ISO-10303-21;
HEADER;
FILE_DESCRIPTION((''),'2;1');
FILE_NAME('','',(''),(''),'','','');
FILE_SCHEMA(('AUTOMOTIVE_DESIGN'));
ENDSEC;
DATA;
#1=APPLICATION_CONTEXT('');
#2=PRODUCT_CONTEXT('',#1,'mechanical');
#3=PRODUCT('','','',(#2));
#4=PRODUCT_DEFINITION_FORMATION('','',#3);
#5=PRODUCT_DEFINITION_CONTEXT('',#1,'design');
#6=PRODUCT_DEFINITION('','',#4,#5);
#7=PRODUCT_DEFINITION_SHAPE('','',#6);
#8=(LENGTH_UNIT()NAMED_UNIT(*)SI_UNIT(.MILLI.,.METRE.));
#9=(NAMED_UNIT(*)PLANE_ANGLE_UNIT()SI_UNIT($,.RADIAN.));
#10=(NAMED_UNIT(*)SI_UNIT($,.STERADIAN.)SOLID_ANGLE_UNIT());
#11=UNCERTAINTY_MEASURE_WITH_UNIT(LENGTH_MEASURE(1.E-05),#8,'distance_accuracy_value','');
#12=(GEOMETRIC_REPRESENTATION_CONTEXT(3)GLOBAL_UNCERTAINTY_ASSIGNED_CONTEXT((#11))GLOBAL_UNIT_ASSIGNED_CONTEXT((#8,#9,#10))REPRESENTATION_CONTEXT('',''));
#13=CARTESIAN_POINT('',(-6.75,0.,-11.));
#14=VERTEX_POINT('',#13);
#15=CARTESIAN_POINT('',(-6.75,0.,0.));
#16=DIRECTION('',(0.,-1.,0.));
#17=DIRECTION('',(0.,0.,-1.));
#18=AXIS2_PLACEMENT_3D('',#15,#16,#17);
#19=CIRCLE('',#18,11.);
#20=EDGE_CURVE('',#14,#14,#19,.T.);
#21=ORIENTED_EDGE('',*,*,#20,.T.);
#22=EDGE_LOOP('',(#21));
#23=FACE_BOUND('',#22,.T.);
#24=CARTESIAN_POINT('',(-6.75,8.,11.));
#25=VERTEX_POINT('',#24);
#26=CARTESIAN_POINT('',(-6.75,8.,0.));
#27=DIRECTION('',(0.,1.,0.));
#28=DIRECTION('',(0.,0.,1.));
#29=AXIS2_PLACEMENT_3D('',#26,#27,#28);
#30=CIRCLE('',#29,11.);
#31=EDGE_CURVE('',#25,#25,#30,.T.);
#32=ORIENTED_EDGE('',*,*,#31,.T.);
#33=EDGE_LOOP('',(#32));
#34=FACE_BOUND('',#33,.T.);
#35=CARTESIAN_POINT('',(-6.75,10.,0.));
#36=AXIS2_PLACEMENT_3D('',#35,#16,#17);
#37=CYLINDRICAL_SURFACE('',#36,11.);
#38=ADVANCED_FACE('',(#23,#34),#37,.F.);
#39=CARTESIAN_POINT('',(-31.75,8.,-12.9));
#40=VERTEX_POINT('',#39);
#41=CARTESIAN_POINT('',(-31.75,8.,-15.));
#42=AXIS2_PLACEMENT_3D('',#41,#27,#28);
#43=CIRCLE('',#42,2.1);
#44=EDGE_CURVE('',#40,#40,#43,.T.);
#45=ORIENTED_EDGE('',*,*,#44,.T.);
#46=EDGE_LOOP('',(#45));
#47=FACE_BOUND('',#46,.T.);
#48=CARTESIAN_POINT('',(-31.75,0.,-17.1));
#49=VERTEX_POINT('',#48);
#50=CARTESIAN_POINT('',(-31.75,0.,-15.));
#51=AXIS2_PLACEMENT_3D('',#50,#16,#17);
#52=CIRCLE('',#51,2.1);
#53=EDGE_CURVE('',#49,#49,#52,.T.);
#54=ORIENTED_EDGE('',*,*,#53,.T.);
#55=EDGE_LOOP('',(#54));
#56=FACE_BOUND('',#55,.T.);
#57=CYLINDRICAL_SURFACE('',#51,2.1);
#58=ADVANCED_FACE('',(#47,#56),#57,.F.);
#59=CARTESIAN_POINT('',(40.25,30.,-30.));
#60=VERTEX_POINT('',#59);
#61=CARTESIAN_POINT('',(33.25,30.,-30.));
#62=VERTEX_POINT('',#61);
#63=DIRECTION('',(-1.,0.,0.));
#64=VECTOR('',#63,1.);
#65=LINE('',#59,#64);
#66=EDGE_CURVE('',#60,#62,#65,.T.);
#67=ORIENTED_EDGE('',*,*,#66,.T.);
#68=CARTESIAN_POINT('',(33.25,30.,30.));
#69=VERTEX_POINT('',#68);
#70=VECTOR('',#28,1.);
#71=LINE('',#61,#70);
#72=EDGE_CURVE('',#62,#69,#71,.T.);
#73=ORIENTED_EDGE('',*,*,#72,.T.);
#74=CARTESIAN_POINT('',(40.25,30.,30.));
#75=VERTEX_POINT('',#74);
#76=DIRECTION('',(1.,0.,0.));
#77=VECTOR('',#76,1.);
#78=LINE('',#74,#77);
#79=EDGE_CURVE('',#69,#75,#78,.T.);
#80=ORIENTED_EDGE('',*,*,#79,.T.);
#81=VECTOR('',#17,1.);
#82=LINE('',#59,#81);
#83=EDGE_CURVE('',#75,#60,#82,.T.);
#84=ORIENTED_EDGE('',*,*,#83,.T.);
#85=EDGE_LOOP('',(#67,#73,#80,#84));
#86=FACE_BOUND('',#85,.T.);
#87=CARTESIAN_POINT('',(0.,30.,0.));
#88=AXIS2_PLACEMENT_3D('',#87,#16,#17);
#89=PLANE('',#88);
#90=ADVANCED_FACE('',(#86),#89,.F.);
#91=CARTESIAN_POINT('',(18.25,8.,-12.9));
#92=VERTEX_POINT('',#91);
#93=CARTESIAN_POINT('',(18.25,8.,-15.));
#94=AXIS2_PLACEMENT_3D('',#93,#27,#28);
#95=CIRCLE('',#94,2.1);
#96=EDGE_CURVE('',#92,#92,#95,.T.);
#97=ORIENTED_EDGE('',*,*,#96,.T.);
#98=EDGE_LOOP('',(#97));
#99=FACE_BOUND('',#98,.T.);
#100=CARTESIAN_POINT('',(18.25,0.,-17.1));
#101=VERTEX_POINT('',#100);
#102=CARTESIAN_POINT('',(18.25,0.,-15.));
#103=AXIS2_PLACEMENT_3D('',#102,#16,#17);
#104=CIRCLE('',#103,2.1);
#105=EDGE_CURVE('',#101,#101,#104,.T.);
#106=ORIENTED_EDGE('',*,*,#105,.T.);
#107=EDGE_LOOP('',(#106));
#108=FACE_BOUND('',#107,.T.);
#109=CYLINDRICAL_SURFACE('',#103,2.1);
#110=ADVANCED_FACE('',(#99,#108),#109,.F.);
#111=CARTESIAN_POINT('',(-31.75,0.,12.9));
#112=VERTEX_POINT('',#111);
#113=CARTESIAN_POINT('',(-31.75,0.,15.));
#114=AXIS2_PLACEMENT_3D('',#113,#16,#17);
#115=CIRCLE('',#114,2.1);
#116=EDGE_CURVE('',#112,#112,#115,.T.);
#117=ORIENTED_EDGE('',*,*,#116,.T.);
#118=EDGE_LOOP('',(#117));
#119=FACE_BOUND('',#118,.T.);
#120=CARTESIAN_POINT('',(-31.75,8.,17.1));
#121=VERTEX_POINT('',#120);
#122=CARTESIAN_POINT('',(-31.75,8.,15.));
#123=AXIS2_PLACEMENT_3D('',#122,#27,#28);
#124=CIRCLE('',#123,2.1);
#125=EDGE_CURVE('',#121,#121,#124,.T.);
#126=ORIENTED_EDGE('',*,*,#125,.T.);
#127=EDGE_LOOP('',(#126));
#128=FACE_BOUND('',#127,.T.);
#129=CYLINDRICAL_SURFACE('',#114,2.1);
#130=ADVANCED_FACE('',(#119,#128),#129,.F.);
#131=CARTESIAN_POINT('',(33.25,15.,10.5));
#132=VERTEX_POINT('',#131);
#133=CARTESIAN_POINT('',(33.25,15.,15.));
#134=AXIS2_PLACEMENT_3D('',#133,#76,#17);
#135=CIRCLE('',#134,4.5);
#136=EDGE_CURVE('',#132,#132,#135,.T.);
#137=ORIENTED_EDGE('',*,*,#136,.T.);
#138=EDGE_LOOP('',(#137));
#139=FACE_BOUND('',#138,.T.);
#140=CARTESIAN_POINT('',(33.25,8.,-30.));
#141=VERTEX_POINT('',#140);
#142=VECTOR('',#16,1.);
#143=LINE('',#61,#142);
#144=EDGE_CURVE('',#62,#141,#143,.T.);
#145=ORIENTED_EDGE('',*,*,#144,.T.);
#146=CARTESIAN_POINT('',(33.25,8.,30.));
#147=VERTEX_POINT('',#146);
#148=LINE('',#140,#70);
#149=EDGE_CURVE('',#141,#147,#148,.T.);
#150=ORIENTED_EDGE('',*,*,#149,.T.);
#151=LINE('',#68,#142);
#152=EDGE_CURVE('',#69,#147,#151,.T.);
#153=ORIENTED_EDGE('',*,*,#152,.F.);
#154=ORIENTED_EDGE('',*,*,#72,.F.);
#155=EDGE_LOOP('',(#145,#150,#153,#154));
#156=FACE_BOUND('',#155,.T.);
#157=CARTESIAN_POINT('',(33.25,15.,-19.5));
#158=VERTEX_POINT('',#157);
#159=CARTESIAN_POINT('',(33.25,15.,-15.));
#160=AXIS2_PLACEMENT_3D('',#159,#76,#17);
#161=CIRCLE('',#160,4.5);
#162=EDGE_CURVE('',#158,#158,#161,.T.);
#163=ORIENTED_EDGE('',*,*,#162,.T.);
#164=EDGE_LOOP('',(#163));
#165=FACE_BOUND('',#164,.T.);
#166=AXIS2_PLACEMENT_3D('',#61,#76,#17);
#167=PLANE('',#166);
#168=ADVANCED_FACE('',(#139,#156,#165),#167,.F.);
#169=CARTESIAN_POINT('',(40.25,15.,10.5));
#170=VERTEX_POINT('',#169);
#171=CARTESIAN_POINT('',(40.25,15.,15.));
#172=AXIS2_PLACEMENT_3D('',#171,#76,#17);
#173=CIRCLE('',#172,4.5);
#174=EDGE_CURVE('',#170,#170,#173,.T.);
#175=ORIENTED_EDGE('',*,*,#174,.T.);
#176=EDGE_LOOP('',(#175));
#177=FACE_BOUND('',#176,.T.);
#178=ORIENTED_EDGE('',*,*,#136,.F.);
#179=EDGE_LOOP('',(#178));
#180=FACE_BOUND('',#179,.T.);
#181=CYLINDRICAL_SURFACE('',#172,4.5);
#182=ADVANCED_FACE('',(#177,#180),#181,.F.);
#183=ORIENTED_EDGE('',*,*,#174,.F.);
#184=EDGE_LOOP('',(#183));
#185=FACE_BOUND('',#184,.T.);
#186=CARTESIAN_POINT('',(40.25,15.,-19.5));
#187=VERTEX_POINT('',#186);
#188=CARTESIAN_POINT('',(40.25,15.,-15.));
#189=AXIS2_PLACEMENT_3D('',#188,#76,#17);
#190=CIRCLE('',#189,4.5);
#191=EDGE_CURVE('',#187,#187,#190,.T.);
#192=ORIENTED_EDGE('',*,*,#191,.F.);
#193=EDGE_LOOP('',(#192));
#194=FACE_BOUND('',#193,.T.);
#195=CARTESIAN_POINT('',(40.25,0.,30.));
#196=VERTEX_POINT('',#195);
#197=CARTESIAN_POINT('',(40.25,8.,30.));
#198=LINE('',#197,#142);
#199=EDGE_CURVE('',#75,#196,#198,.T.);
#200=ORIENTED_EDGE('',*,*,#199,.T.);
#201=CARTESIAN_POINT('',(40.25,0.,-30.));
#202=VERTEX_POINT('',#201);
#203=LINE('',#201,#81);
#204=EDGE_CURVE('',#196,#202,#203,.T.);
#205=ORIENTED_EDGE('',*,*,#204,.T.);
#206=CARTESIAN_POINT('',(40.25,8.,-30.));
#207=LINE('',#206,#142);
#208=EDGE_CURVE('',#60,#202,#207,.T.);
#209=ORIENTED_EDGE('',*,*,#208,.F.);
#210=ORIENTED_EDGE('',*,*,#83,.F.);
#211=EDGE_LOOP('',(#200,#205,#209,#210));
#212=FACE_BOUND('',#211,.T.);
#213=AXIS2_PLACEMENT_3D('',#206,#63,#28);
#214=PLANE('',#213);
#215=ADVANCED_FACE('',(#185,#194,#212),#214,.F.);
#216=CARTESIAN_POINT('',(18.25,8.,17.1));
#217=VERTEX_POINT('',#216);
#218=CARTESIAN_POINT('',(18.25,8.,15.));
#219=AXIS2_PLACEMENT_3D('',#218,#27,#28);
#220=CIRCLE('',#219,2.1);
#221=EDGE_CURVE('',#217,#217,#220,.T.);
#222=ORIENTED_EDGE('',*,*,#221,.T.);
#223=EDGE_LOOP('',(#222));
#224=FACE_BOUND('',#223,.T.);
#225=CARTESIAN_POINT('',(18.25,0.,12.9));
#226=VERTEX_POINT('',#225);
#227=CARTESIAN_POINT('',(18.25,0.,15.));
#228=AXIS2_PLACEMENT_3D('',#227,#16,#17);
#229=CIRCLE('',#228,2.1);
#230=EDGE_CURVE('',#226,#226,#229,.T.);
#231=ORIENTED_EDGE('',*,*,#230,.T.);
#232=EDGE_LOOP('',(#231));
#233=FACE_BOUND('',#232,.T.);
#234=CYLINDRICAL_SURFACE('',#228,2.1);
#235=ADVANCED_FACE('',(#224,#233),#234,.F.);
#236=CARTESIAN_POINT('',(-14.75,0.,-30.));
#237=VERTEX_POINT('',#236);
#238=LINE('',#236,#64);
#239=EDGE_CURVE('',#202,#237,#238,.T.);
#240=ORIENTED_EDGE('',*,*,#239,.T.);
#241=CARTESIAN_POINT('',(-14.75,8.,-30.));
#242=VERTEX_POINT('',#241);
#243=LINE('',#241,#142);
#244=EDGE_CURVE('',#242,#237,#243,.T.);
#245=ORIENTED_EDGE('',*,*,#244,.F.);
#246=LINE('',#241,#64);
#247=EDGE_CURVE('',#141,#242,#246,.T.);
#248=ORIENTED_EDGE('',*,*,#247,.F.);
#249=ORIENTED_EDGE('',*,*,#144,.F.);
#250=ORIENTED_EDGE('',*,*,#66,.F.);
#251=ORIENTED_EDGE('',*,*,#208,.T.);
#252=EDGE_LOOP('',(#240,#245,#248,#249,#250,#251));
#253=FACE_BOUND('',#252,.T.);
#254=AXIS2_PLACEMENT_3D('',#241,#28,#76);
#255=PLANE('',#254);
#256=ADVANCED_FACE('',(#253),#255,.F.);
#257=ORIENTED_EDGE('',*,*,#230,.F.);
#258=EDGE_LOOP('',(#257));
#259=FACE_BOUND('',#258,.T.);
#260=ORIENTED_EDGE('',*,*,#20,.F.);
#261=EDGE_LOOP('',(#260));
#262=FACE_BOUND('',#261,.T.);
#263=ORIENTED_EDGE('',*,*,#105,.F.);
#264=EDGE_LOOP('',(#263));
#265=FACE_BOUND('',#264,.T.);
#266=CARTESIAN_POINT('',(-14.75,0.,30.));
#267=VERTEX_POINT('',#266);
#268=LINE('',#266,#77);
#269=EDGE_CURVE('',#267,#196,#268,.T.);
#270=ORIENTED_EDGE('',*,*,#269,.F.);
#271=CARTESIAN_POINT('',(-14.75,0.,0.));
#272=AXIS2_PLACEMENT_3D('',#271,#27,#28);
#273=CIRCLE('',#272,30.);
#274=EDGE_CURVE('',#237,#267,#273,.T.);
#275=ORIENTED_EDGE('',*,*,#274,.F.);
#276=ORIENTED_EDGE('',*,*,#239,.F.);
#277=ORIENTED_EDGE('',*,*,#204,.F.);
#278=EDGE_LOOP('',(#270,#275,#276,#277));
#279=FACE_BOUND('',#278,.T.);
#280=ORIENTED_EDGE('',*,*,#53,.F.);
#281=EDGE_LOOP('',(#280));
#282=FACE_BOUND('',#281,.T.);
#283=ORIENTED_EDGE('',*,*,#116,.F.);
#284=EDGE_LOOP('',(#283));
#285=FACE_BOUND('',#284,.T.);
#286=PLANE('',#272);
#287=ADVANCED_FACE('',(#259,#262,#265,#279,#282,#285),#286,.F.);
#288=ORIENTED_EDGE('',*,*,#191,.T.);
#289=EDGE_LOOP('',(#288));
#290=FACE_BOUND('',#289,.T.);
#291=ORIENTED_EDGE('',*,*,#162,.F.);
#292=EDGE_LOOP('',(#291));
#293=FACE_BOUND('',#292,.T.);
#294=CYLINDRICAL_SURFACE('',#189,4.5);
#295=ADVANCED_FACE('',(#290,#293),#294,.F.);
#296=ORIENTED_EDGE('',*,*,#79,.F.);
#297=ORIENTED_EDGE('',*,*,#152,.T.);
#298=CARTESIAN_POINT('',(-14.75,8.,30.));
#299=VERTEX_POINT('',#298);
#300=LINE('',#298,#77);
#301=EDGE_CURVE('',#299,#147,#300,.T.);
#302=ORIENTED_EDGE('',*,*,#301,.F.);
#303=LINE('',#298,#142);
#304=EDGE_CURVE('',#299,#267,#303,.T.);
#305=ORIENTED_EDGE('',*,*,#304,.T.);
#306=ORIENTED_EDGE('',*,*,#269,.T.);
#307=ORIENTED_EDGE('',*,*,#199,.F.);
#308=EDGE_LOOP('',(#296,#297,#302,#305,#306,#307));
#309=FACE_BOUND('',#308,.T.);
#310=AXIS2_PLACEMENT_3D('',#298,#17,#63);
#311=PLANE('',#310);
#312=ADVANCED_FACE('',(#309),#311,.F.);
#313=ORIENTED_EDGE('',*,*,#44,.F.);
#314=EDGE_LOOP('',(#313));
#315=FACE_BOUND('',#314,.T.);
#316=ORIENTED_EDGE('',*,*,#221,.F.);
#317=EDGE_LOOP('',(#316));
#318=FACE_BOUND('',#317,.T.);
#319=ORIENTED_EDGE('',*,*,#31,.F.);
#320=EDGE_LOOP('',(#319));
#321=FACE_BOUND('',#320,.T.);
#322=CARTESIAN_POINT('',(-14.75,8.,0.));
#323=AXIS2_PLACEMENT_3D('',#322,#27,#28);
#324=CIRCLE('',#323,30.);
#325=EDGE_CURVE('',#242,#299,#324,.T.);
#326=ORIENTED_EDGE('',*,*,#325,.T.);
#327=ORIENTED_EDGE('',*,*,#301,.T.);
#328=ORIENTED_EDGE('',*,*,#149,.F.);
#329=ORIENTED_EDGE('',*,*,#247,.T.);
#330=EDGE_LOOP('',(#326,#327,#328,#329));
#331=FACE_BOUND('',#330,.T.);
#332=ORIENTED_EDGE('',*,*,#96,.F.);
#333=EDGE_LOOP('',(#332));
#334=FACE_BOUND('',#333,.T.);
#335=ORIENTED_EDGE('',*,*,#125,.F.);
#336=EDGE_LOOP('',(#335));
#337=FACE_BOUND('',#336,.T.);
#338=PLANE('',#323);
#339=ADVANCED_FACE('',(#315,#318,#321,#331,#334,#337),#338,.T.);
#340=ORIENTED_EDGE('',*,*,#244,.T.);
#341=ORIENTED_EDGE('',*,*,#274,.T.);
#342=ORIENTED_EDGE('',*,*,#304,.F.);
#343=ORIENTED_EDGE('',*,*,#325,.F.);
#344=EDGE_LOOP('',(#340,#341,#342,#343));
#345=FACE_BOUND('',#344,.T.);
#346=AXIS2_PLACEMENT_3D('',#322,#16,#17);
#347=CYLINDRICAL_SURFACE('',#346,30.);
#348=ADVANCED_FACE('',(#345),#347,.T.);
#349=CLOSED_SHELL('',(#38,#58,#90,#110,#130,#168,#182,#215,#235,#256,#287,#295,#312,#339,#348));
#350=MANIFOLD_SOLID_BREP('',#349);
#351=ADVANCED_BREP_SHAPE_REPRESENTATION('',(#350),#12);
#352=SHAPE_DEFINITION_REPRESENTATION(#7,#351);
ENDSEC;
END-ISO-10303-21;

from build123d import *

# Parameters (mm, degrees)
EXTRUDE_1_DEPTH     = 8
SKETCH_2_W          = 7
SKETCH_2_H          = 60
EXTRUDE_2_DEPTH     = 22
MM_1_D              = 9
HOLE_WIZARD_M5_1_D  = 4.2
SKETCH_5_R          = 11
CUT_EXTRUDE_1_DEPTH = 10


with BuildPart() as part:
    # 草图1 → 凸台-拉伸1 (new body)
    with BuildSketch(Plane(origin=(0, 0, 0), x_dir=(1, 0, 0), z_dir=(0, 1, 0))):
        with BuildLine():
            Line((-14.75, 30), (40.25, 30))
            Line((40.25, 30), (40.25, -30))
            Line((40.25, -30), (-14.75, -30))
            ThreePointArc((-14.75, -30), (-44.75, 0), (-14.75, 30))
        make_face()
    extrude(amount=EXTRUDE_1_DEPTH)

    # 草图2 → 凸台-拉伸2 (add)
    with BuildSketch(Plane(origin=(0, 8, 0), x_dir=(1, 0, 0), z_dir=(0, 1, 0))):
        with Locations((36.75, 0)):
            Rectangle(SKETCH_2_W, SKETCH_2_H)
    extrude(amount=EXTRUDE_2_DEPTH)

    # 大小mm 暗销孔1 (through all)
    with Locations(Plane(origin=(40.25, 15, 15), x_dir=(0, 0, 1), z_dir=(1, 0, 0))):
        with Locations((0, 0), (-30, 0)):
            Hole(MM_1_D / 2)

    # M5 螺纹孔1 (through all)
    with Locations(Plane(origin=(-31.75, 0, 15), x_dir=(0, 0, -1), z_dir=(0, -1, 0))):
        with Locations((0, 0), (0, 50), (30, 50), (30, 0)):
            Hole(HOLE_WIZARD_M5_1_D / 2)

    # 草图5 → 切除-拉伸1 (cut)
    with BuildSketch(Plane.XZ):
        with Locations((-6.75, 0)):
            Circle(SKETCH_5_R)
    extrude(amount=-CUT_EXTRUDE_1_DEPTH, mode=Mode.SUBTRACT)


solid = part.part
